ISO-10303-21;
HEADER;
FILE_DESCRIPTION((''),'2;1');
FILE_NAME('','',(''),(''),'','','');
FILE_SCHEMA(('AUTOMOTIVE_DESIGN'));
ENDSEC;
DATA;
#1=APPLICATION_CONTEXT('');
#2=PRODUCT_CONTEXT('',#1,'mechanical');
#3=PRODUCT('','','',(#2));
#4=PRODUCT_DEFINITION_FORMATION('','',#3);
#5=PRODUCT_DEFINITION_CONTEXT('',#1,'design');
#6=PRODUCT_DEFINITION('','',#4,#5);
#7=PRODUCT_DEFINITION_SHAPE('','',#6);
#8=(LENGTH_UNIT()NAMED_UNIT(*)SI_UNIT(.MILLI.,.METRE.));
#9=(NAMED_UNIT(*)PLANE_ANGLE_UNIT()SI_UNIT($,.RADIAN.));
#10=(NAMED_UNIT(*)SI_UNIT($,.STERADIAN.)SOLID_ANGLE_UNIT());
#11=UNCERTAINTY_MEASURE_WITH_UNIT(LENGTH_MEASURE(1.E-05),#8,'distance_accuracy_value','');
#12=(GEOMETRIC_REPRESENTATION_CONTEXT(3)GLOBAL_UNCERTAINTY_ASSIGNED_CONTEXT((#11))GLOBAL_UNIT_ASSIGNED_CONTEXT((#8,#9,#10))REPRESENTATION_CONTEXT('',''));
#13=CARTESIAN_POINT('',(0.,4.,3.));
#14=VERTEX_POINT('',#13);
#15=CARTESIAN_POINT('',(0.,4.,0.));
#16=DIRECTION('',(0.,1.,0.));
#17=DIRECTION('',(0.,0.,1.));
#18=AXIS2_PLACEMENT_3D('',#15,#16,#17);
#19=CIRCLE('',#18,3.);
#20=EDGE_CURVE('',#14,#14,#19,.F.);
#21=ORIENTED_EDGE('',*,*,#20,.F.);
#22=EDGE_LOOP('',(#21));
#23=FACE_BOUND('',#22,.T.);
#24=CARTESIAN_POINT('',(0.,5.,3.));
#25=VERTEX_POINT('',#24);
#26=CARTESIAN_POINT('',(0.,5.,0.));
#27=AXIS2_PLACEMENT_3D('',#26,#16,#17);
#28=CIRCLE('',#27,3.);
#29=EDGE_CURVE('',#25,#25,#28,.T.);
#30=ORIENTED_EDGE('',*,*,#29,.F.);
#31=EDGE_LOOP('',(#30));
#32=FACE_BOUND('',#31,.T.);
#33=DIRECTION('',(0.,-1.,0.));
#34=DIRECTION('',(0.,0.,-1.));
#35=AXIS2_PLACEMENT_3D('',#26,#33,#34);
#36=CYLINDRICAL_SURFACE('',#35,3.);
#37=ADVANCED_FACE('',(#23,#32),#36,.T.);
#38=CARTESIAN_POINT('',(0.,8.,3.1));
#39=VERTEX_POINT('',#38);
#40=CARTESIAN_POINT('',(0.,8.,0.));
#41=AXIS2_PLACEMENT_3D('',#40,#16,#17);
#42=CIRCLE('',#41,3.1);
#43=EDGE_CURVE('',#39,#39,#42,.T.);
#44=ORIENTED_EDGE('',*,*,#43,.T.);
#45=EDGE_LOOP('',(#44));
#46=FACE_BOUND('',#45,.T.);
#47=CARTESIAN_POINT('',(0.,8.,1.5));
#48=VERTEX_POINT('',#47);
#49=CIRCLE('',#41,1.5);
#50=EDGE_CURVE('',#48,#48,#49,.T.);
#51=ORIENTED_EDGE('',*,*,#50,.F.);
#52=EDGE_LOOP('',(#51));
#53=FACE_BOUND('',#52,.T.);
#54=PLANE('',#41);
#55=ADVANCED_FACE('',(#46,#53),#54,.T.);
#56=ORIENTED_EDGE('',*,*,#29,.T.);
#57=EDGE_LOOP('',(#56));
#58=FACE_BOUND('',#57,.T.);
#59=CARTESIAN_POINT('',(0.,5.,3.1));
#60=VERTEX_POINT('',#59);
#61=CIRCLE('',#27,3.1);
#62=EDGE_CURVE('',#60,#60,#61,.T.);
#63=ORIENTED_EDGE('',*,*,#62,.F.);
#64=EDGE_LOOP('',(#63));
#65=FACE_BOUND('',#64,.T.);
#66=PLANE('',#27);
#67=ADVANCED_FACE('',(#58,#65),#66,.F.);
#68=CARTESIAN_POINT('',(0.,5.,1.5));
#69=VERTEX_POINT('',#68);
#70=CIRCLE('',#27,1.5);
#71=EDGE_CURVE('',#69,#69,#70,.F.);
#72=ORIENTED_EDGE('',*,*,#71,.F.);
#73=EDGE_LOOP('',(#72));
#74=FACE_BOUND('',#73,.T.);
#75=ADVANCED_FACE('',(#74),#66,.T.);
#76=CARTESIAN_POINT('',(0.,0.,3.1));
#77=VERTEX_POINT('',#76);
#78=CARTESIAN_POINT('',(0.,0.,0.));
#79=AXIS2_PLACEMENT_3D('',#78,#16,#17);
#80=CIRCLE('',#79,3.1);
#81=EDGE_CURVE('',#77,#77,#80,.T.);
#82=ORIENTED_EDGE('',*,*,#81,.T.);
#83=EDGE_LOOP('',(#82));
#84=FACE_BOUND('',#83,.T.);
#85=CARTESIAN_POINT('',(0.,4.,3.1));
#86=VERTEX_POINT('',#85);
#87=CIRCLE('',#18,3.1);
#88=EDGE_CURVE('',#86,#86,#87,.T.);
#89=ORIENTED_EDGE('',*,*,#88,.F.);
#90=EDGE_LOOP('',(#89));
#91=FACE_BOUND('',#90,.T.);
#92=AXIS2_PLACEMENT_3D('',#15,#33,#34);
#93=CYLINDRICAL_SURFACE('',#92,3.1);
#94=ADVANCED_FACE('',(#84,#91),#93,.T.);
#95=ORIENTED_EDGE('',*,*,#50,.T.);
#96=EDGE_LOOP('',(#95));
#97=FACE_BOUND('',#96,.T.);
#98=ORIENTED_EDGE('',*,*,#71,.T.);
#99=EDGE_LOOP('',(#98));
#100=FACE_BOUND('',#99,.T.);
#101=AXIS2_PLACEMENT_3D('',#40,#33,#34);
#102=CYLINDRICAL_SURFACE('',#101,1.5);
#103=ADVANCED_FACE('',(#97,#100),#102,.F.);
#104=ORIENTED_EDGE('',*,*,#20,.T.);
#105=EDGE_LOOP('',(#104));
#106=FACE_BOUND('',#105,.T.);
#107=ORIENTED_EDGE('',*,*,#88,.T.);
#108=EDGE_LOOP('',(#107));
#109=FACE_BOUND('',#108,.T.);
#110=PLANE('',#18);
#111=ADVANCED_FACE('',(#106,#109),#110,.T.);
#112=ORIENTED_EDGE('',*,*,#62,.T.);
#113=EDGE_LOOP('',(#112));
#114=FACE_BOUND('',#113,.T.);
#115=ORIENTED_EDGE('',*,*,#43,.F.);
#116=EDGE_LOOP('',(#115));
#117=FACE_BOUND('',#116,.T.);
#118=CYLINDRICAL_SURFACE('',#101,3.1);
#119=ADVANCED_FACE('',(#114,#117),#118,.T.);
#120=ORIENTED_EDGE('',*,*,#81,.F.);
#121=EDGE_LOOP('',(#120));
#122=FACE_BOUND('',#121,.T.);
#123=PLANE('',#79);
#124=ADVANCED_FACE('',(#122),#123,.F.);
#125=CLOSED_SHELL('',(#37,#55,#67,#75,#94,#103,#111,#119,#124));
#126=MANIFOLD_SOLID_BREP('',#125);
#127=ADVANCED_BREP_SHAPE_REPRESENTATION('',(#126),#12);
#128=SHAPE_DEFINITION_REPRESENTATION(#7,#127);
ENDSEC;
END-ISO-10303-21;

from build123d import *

# Parameters (mm, degrees)
SCHIZZO1_R                   = 3.1
ESTRUSIONE_ESTRUSIONE1_DEPTH = 4
SCHIZZO1_3_R                 = 3
ESTRUSIONE_ESTRUSIONE2_DEPTH = 5
ESTRUSIONE_ESTRUSIONE3_START = 5
SCHIZZO1_4_R                 = 3.1
SCHIZZO1_4_R_2               = 1.5
ESTRUSIONE_ESTRUSIONE3_DEPTH = 3


with BuildPart() as part:
    # Schizzo1 → Estrusione-Estrusione1 (new body)
    with BuildSketch(Plane(origin=(0, 0, 0), x_dir=(1, 0, 0), z_dir=(0, 1, 0))):
        with Locations(Location((0, 0, 0), (0, 0, 270))):
            Circle(SCHIZZO1_R)
    extrude(amount=ESTRUSIONE_ESTRUSIONE1_DEPTH)

    # Schizzo1<3> → Estrusione-Estrusione2 (add)
    with BuildSketch(Plane(origin=(0, 0, 0), x_dir=(1, 0, 0), z_dir=(0, 1, 0))):
        with Locations(Location((0, 0, 0), (0, 0, 270))):
            Circle(SCHIZZO1_3_R)
    extrude(amount=ESTRUSIONE_ESTRUSIONE2_DEPTH)

    # Schizzo1<4> → Estrusione-Estrusione3 (add)
    with BuildSketch(Plane(origin=(0, 0, 0), x_dir=(1, 0, 0), z_dir=(0, 1, 0)).offset(ESTRUSIONE_ESTRUSIONE3_START)):
        with Locations(Location((0, 0, 0), (0, 0, 270))):
            Circle(SCHIZZO1_4_R)
        with Locations(Location((0, 0, 0), (0, 0, 270))):
            Circle(SCHIZZO1_4_R_2, mode=Mode.SUBTRACT)
    extrude(amount=ESTRUSIONE_ESTRUSIONE3_DEPTH)


solid = part.part
